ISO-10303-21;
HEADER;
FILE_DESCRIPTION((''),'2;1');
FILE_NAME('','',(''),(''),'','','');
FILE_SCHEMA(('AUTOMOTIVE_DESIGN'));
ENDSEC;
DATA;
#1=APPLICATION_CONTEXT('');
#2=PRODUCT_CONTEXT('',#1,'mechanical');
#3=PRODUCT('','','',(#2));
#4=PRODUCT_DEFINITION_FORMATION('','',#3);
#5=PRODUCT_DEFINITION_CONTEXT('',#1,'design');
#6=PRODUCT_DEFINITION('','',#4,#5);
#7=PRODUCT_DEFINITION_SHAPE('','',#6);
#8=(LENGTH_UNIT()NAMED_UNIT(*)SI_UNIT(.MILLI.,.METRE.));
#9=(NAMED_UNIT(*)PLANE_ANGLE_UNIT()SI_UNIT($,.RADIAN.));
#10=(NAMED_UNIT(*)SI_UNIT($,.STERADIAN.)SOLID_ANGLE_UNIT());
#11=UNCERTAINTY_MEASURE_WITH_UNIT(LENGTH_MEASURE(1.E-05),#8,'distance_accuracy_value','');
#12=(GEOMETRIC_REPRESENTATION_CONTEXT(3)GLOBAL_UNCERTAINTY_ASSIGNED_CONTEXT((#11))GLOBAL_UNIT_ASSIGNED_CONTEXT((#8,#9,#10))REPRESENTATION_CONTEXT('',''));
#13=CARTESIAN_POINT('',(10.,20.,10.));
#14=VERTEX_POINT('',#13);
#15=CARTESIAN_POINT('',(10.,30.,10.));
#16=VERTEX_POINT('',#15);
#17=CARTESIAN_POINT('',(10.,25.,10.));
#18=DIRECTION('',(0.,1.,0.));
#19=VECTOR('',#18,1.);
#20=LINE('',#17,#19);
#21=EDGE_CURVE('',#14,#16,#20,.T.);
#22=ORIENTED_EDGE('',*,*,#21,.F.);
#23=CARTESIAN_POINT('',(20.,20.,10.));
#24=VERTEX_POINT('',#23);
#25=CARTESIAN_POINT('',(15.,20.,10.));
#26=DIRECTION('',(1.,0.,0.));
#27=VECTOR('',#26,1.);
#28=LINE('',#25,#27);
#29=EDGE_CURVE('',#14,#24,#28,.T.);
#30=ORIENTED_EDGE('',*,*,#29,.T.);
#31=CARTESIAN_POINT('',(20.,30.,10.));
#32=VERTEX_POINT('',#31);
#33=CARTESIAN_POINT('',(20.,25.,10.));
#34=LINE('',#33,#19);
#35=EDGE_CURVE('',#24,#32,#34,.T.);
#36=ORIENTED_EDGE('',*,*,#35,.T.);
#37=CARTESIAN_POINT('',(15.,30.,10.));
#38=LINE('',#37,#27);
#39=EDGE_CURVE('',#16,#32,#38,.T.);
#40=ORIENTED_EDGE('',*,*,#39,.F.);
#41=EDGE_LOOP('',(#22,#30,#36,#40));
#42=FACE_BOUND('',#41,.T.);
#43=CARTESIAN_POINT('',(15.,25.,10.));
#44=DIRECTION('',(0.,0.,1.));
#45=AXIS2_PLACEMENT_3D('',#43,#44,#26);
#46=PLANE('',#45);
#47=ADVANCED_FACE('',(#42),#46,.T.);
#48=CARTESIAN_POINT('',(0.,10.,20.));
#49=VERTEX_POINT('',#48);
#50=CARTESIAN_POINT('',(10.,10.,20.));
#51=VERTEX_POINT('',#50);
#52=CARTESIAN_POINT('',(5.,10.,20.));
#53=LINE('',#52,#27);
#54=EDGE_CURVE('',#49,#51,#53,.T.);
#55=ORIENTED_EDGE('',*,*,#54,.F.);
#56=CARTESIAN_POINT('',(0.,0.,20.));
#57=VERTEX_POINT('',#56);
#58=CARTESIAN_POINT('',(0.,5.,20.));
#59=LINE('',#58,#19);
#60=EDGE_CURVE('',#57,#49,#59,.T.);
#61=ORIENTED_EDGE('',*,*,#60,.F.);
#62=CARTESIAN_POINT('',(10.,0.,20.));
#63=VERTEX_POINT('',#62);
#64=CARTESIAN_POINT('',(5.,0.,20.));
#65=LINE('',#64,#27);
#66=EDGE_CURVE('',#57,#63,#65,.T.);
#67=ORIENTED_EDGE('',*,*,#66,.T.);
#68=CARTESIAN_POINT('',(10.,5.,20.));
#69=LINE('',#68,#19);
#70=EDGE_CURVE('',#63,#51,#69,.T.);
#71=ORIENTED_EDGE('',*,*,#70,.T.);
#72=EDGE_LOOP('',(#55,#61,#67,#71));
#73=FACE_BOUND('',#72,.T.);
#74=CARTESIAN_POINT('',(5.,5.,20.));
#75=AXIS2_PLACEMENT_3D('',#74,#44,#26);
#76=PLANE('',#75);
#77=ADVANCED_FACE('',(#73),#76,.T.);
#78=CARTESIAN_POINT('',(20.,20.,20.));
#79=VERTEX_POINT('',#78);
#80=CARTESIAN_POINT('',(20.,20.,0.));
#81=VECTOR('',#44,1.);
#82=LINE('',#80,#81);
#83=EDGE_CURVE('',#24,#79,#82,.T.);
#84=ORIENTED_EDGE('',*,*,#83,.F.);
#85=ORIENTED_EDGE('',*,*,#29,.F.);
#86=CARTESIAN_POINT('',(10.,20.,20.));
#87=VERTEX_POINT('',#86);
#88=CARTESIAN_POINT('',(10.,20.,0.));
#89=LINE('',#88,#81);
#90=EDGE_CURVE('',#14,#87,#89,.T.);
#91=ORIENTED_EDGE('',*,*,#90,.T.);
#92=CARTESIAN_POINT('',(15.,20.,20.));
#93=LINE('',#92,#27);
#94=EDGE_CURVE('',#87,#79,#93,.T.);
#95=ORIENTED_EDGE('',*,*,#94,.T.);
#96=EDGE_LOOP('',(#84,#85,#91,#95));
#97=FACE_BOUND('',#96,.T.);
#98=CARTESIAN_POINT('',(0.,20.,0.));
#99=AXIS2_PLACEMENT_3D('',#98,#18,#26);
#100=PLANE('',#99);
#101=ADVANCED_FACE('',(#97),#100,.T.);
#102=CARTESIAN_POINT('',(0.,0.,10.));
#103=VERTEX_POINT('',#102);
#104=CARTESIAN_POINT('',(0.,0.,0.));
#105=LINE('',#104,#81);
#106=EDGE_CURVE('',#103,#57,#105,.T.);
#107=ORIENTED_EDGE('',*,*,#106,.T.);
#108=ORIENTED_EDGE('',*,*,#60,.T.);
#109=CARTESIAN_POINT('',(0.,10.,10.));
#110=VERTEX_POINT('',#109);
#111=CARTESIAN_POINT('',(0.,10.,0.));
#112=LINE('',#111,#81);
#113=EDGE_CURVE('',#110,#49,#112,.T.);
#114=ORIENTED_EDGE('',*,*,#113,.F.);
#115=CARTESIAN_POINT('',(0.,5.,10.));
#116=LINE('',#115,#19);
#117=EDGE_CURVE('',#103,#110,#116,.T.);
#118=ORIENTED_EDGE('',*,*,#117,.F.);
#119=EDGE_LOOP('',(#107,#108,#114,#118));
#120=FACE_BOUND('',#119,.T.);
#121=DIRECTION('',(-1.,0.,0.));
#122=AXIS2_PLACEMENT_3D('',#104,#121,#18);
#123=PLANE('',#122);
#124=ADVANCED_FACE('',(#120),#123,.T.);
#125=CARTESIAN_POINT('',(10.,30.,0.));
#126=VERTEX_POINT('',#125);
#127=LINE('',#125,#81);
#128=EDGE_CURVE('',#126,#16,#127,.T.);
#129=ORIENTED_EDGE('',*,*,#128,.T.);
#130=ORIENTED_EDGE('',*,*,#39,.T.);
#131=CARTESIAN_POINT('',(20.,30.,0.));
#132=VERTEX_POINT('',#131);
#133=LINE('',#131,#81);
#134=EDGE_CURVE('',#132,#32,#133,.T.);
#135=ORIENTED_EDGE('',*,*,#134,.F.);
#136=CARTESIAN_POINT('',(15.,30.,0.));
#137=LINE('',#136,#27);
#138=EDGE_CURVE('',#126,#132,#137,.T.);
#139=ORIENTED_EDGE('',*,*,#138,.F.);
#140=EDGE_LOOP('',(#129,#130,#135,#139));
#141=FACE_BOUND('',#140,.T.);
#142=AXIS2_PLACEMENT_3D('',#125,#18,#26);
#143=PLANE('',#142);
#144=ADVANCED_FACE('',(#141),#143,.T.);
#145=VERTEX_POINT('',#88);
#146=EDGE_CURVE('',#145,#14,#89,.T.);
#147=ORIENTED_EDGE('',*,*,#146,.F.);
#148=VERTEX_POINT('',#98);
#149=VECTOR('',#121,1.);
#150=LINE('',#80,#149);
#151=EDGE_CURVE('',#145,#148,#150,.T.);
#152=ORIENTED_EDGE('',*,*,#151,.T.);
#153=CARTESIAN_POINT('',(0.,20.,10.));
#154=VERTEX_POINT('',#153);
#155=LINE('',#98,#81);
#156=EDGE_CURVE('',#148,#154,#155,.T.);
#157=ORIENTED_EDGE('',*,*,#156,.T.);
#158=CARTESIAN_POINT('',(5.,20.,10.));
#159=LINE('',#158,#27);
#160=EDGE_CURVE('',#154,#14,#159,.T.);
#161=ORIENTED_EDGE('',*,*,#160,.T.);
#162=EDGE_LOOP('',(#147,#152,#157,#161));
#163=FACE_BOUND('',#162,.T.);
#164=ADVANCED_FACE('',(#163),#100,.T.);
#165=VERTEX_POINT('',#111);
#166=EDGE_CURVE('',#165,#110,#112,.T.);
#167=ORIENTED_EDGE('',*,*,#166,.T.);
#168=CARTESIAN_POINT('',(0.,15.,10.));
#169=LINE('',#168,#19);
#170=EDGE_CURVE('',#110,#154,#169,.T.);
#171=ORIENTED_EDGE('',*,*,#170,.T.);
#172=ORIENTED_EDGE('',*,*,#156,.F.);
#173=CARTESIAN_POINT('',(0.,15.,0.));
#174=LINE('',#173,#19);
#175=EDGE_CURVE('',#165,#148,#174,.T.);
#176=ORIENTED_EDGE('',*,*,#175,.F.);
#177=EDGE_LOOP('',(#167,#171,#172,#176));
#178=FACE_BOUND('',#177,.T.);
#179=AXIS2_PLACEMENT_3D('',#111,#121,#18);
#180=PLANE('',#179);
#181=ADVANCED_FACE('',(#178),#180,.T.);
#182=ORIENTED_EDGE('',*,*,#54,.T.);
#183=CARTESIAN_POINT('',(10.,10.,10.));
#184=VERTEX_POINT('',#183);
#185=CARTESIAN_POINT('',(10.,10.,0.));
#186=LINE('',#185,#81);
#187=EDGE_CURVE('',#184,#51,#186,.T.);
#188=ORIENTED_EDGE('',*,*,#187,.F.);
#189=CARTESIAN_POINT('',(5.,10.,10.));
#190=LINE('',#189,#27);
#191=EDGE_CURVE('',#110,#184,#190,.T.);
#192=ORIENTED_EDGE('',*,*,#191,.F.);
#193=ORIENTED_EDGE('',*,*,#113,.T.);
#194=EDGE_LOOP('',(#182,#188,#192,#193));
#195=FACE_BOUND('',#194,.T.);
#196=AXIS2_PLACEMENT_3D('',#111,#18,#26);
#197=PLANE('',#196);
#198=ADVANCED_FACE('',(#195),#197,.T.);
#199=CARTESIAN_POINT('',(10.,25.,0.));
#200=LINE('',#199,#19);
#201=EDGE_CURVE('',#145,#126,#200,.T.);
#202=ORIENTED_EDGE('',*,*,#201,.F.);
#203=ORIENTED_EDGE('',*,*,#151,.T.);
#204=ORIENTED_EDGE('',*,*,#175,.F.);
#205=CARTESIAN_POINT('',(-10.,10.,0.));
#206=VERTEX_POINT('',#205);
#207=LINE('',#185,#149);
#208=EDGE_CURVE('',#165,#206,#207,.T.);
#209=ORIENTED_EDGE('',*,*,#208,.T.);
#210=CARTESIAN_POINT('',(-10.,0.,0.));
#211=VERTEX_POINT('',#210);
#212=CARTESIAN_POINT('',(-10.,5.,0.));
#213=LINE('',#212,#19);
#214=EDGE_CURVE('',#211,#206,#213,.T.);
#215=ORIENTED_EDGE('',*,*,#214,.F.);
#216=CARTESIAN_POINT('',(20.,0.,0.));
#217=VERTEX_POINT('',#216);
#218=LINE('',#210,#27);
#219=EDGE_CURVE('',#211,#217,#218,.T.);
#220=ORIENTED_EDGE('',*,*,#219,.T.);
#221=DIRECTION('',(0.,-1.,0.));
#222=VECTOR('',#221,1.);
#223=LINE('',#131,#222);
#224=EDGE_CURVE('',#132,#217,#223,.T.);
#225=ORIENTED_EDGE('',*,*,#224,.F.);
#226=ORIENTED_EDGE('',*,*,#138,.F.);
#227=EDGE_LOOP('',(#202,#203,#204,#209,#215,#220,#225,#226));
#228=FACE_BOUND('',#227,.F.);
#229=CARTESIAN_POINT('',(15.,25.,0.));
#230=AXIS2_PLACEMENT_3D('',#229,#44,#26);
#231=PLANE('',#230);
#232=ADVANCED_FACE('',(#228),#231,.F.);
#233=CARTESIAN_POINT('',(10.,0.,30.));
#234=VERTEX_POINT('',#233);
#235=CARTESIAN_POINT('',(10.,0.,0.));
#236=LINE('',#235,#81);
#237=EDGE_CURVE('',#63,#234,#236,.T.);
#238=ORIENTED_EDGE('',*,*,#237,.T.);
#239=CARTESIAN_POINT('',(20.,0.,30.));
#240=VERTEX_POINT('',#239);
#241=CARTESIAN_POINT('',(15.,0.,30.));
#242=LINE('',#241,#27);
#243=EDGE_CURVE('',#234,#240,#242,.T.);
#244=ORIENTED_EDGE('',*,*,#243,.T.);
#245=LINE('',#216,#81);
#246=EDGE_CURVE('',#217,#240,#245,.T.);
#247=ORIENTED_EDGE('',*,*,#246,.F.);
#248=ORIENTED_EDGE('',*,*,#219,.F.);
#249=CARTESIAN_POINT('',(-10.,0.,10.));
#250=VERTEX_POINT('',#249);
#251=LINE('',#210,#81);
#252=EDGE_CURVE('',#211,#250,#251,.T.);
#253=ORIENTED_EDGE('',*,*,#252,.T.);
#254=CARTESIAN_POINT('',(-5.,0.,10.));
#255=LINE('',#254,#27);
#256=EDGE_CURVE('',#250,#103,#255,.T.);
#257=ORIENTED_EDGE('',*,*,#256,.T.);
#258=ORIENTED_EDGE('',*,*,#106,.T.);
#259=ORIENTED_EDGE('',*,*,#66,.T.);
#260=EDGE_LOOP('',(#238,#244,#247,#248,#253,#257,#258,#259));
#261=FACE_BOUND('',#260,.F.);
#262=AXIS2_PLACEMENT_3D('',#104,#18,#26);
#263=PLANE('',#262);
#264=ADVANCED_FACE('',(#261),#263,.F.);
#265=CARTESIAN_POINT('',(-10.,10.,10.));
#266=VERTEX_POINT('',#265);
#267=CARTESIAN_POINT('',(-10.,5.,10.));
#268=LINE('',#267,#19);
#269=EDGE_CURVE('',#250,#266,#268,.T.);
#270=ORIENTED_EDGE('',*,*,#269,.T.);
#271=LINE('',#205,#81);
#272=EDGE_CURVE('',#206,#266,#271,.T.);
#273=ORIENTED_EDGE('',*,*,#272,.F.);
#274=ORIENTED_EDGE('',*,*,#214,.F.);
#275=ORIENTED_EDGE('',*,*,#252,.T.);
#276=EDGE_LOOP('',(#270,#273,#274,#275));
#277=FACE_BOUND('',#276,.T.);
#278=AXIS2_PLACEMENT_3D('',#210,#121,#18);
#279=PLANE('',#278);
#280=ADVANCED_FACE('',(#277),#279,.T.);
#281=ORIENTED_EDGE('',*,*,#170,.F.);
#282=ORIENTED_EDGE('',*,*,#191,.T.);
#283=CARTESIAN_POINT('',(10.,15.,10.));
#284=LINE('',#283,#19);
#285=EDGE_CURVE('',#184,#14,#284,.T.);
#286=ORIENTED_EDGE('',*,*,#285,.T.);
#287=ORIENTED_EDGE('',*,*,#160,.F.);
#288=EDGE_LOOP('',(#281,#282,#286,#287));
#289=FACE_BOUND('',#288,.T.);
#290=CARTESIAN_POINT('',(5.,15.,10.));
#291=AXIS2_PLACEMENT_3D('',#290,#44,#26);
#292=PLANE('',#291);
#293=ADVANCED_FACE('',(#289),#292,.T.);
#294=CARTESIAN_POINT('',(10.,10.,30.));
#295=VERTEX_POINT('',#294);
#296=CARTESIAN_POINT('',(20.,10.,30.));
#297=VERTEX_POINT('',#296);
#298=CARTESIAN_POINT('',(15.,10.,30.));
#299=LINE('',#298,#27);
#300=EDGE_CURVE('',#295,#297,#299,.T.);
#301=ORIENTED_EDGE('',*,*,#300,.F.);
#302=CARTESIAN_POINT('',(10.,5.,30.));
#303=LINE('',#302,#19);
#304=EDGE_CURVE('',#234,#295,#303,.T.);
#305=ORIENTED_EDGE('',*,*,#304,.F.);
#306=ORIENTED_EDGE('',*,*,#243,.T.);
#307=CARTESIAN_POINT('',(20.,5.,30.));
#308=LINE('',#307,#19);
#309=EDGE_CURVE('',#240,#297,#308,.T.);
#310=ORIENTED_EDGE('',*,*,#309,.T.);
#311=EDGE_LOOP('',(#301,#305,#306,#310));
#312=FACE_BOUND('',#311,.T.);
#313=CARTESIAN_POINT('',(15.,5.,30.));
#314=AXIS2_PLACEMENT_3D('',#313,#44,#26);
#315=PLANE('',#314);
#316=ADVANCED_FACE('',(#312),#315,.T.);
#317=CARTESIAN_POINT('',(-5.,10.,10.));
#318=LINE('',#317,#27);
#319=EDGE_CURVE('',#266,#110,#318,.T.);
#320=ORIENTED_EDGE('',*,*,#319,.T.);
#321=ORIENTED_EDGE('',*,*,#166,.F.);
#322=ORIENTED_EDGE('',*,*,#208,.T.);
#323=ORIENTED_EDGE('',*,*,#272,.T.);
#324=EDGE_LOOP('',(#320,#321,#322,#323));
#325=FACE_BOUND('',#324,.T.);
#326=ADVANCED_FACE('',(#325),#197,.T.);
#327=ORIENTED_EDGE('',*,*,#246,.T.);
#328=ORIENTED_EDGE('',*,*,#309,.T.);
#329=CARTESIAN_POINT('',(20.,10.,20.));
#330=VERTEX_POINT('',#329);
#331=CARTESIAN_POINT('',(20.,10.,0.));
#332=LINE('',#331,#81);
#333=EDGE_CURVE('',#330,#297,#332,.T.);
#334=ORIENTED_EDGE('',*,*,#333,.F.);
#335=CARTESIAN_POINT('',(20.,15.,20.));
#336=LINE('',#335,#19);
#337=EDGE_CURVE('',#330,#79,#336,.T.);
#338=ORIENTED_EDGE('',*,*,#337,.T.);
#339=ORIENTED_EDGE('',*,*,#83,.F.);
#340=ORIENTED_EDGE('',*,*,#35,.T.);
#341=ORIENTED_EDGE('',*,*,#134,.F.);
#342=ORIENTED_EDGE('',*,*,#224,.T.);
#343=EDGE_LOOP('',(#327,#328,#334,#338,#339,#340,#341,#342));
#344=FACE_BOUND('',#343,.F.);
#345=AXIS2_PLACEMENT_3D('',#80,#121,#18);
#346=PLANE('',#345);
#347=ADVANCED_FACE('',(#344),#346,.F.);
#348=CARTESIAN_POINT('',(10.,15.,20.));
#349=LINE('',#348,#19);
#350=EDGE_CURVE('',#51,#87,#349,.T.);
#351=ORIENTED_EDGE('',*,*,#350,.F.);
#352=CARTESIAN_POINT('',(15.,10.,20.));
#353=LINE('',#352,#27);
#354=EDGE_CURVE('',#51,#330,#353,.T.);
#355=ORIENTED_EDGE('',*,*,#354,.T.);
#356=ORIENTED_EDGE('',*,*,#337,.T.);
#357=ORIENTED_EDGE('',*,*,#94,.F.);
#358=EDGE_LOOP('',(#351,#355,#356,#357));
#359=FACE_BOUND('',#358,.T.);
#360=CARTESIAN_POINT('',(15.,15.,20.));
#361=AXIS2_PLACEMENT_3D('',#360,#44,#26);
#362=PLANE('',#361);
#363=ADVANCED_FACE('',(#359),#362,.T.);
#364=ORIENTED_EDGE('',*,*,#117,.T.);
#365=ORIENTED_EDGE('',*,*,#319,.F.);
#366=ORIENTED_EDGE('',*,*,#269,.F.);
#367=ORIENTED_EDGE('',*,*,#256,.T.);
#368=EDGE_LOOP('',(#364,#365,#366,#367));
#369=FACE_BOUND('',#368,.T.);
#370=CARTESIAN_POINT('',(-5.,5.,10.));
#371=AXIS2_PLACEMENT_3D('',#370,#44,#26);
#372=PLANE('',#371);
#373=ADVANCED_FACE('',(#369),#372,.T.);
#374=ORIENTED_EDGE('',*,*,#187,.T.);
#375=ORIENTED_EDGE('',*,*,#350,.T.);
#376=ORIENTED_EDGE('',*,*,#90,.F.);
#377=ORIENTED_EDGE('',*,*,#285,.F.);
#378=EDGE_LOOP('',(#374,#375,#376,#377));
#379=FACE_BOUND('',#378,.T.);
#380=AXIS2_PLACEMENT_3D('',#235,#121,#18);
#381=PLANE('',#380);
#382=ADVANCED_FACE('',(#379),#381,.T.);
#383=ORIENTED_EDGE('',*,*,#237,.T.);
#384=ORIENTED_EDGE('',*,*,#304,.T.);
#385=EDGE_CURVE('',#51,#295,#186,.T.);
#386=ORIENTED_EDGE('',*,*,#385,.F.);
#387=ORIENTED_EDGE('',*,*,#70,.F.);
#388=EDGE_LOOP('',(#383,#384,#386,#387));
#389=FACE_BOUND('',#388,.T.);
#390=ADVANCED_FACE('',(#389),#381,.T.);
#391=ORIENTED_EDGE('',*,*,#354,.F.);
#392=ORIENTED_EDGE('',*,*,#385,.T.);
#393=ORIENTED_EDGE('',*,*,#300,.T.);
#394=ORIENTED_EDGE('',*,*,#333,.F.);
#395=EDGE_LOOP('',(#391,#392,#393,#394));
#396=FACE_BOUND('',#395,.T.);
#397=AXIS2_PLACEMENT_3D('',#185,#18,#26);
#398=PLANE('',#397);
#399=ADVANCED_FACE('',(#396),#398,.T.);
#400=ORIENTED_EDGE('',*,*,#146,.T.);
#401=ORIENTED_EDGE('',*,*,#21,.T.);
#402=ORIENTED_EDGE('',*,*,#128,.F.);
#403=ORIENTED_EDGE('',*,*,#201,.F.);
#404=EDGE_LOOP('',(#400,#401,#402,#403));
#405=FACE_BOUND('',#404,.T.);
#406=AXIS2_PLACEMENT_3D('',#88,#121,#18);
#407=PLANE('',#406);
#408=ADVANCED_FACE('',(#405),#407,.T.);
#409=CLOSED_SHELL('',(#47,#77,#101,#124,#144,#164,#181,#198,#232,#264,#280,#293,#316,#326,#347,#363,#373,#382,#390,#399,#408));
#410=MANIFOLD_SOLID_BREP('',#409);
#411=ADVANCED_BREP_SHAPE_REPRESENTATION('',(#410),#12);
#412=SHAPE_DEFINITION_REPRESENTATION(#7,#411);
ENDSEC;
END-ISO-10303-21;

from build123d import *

# Parameters (mm, degrees)
BOX003_W     = 10
BOX003_H     = 10
BOX003_DEPTH = 20
BOX005_W     = 10
BOX005_H     = 10
BOX005_DEPTH = 30
BOX007_W     = 10
BOX007_H     = 10
BOX007_DEPTH = 20
BOX008_W     = 10
BOX008_H     = 10
BOX008_DEPTH = 10
BOX009_W     = 10
BOX009_H     = 10
BOX009_DEPTH = 10
BOX_W        = 10
BOX_H        = 10
BOX_DEPTH    = 10


with BuildPart() as cub003:
    # Box003 → Box003 (new body)
    with BuildSketch(Plane(origin=(10, 10, 0), x_dir=(1, 0, 0), z_dir=(0, 0, 1))):
        with Locations((5, 5)):
            Rectangle(BOX003_W, BOX003_H)
    extrude(amount=BOX003_DEPTH)


with BuildPart() as cub005:
    # Box005 → Box005 (new body)
    with BuildSketch(Plane(origin=(10, 0, 0), x_dir=(1, 0, 0), z_dir=(0, 0, 1))):
        with Locations((5, 5)):
            Rectangle(BOX005_W, BOX005_H)
    extrude(amount=BOX005_DEPTH)


with BuildPart() as cub007:
    # Box007 → Box007 (new body)
    with BuildSketch(Plane.XY):
        with Locations((5, 5)):
            Rectangle(BOX007_W, BOX007_H)
    extrude(amount=BOX007_DEPTH)


with BuildPart() as cub008:
    # Box008 → Box008 (new body)
    with BuildSketch(Plane(origin=(0, 10, 0), x_dir=(1, 0, 0), z_dir=(0, 0, 1))):
        with Locations((5, 5)):
            Rectangle(BOX008_W, BOX008_H)
    extrude(amount=BOX008_DEPTH)


with BuildPart() as cub009:
    # Box009 → Box009 (new body)
    with BuildSketch(Plane(origin=(10, 20, 0), x_dir=(1, 0, 0), z_dir=(0, 0, 1))):
        with Locations((5, 5)):
            Rectangle(BOX009_W, BOX009_H)
    extrude(amount=BOX009_DEPTH)


with BuildPart() as fusion:
    # Box → Box (new body)
    with BuildSketch(Plane(origin=(-10, 0, 0), x_dir=(1, 0, 0), z_dir=(0, 0, 1))):
        with Locations((5, 5)):
            Rectangle(BOX_W, BOX_H)
    extrude(amount=BOX_DEPTH)

    # Fusion: union Cub003, Cub005, Cub007, Cub008, Cub009
    add(cub003.part)
    add(cub005.part)
    add(cub007.part)
    add(cub008.part)
    add(cub009.part)


solid = fusion.part
